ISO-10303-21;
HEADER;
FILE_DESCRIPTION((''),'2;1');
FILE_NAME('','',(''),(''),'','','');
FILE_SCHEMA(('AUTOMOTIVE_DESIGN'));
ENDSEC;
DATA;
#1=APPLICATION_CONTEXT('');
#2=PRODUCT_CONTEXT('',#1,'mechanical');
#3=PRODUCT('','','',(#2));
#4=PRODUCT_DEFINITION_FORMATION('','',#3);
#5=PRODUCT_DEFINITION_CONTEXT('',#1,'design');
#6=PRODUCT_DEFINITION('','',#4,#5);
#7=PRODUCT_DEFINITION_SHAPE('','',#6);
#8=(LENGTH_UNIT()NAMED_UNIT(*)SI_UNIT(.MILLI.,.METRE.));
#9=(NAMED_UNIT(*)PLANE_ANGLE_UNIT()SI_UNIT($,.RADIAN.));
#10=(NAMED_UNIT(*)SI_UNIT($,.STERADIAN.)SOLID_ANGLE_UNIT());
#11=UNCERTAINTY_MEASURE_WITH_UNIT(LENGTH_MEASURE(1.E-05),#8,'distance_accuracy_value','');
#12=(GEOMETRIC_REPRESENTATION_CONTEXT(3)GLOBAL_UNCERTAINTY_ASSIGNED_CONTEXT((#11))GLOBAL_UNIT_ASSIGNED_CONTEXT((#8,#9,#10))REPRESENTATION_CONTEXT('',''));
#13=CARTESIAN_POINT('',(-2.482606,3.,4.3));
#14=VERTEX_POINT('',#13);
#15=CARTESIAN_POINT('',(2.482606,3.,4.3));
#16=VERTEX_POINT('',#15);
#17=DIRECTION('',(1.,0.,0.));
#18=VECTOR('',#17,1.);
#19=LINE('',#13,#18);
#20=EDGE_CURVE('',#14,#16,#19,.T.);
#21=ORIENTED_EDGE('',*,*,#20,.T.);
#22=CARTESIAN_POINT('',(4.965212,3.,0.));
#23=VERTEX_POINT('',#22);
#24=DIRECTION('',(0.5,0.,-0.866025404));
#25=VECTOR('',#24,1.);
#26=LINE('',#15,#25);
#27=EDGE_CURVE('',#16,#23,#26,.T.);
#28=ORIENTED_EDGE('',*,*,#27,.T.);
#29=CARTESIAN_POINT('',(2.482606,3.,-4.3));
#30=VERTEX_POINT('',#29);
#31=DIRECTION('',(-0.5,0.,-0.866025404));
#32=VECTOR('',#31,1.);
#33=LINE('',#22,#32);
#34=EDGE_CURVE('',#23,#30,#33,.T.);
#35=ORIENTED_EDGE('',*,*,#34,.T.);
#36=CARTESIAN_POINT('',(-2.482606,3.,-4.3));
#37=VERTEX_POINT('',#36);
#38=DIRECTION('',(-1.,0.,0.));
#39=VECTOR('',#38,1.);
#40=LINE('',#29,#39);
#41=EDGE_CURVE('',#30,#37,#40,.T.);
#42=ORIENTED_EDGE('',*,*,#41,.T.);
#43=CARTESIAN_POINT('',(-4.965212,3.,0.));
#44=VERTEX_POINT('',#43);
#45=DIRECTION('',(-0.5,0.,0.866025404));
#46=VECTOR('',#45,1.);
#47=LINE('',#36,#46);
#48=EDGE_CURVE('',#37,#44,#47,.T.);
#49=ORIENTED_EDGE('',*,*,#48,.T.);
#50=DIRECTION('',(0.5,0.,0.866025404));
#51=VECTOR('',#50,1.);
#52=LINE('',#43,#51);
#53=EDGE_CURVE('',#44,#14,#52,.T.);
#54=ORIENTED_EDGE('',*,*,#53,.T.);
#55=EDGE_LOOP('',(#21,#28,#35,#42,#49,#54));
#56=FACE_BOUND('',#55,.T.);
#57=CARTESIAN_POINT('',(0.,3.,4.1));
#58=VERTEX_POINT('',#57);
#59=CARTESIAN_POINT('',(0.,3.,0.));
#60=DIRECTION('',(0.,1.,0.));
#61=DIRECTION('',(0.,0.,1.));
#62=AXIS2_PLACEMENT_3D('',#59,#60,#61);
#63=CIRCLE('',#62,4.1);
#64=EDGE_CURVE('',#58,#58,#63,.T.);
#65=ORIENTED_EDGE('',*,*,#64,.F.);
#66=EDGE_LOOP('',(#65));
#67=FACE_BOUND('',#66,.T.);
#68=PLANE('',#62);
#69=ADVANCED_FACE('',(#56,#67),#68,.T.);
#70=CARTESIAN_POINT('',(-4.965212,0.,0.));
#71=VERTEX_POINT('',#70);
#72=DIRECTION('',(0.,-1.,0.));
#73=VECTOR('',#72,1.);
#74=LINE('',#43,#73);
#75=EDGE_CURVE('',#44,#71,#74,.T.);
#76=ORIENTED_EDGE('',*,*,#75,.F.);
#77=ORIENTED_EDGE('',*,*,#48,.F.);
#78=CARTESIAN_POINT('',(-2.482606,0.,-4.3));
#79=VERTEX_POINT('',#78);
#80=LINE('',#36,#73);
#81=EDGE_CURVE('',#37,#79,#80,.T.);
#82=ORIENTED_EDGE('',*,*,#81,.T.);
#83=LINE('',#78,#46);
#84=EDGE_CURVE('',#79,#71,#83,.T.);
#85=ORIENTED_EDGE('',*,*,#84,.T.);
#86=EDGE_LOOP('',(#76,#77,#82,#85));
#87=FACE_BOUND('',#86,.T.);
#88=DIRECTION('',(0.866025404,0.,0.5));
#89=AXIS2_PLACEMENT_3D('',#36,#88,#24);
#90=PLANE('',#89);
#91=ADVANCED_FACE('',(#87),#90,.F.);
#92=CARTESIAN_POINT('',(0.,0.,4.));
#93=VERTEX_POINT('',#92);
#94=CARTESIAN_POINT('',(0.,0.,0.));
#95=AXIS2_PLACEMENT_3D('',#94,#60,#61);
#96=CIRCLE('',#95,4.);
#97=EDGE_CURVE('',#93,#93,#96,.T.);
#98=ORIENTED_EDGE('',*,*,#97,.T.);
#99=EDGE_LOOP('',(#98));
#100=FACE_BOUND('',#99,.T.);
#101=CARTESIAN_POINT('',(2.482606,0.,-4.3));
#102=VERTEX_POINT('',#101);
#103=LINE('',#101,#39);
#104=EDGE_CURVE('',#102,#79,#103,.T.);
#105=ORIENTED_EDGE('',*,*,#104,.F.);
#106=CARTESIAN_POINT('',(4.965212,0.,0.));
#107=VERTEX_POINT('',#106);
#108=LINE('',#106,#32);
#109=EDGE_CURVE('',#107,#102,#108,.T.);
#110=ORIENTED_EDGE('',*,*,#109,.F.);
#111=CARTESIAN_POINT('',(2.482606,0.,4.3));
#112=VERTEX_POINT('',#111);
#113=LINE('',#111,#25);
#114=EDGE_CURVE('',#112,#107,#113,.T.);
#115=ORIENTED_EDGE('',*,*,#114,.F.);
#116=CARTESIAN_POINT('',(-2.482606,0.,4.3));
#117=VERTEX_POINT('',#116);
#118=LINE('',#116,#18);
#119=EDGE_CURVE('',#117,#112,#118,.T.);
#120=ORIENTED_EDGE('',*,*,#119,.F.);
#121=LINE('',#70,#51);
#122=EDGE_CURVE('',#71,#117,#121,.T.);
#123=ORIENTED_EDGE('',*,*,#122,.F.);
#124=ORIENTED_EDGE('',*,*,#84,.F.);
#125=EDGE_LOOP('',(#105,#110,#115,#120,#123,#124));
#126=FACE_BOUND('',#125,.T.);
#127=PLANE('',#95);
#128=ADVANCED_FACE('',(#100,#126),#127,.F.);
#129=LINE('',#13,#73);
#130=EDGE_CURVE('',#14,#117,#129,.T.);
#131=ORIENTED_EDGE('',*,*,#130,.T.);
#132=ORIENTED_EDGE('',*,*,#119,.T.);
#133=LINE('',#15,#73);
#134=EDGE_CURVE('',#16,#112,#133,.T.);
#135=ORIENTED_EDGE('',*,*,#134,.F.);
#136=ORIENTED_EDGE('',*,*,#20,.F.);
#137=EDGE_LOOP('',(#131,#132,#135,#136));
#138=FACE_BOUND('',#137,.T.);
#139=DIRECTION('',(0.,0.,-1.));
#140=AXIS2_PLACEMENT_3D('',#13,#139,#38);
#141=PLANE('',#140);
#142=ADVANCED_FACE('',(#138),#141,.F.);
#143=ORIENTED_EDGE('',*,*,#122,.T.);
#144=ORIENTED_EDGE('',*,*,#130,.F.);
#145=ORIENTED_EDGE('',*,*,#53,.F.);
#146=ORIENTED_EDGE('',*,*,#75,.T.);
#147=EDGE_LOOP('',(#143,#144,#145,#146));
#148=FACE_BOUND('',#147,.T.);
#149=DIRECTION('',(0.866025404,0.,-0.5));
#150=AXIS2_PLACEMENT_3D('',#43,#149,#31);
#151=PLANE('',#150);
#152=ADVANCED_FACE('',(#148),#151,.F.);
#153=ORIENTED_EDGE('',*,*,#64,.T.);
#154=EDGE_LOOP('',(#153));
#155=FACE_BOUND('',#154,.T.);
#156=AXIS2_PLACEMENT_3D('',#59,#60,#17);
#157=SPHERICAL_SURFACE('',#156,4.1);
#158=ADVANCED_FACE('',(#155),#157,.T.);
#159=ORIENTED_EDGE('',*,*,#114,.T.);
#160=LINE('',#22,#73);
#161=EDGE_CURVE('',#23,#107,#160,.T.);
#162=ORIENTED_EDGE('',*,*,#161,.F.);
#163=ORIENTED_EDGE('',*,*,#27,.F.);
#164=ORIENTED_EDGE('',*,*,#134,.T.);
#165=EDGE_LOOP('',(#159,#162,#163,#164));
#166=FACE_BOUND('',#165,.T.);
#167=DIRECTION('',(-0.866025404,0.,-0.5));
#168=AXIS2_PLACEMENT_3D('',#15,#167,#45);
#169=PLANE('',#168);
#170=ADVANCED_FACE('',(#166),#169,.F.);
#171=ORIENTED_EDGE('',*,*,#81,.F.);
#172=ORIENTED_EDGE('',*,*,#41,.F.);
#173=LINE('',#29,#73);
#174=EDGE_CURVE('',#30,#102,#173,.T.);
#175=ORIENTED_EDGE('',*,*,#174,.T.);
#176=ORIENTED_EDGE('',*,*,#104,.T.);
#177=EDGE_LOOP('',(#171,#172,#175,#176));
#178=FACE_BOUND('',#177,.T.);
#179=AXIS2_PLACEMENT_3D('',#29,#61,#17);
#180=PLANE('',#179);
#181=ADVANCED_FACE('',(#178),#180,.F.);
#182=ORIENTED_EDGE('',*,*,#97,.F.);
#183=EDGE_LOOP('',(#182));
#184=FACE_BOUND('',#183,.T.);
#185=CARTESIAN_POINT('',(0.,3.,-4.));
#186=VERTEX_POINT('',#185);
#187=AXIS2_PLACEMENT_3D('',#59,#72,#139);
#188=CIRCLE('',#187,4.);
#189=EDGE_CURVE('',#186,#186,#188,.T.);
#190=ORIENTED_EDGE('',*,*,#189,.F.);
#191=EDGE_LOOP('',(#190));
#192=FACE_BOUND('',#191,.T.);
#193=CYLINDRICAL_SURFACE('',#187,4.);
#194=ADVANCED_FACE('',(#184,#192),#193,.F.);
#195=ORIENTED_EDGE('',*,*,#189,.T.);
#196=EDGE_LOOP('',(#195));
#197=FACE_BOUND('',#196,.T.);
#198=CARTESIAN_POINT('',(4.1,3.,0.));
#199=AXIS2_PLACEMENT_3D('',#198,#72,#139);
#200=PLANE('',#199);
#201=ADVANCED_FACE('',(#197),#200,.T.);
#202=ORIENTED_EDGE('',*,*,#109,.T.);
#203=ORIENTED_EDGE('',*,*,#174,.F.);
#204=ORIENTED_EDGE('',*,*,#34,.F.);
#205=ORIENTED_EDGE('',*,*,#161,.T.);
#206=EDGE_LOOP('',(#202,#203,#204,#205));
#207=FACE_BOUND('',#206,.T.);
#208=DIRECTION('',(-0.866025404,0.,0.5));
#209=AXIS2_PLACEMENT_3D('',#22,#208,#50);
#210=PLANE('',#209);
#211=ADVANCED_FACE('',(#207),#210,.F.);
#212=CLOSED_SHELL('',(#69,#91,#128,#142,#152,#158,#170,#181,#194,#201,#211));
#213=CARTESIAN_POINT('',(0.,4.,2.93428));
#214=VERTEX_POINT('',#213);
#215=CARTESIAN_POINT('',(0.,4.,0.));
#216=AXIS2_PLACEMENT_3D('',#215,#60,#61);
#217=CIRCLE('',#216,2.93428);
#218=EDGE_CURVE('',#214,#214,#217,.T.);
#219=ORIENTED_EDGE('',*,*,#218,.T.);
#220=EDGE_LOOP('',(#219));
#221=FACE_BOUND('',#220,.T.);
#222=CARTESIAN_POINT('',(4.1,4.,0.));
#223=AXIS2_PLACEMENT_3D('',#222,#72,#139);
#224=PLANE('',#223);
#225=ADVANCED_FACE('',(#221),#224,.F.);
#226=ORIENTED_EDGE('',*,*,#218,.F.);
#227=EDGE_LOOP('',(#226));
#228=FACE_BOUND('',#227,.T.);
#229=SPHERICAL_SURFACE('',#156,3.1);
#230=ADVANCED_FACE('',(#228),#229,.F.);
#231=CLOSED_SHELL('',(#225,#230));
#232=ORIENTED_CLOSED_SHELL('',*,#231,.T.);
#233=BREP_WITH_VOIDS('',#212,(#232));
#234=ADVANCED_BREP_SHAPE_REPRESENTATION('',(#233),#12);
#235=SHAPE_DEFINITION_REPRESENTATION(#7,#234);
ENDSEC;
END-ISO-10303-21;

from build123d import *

# Parameters (mm, degrees)
SKETCH1_R           = 4
BOSS_EXTRUDE1_DEPTH = 3


with BuildPart() as part:
    # Sketch1 → Boss-Extrude1 (new body)
    with BuildSketch(Plane(origin=(0, 0, 0), x_dir=(1, 0, 0), z_dir=(0, 1, 0))):
        Polygon((4.965212315, 0), (2.482606158, 4.3), (-2.482606158, 4.3), (-4.965212315, 0), (-2.482606158, -4.3), (2.482606158, -4.3), align=None)
        Circle(SKETCH1_R, mode=Mode.SUBTRACT)
    extrude(amount=BOSS_EXTRUDE1_DEPTH)

    # Sketch2 → Revolve-Thin1 (revolve)
    with BuildSketch(Plane.XY):
        with BuildLine():
            ThreePointArc((0, 7.1), (2.899137803, 5.899137803), (4.1, 3))
            Line((4.1, 3), (0, 3))
            Line((0, 3), (0, 4))
            Line((0, 4), (2.93428015, 4))
            ThreePointArc((2.93428015, 4), (1.804161855, 5.520912533), (0, 6.1))
            Line((0, 6.1), (0, 7.1))
        make_face()
    revolve(axis=Axis((0, 7.455, 0), (0, -1, 0)))


solid = part.part
